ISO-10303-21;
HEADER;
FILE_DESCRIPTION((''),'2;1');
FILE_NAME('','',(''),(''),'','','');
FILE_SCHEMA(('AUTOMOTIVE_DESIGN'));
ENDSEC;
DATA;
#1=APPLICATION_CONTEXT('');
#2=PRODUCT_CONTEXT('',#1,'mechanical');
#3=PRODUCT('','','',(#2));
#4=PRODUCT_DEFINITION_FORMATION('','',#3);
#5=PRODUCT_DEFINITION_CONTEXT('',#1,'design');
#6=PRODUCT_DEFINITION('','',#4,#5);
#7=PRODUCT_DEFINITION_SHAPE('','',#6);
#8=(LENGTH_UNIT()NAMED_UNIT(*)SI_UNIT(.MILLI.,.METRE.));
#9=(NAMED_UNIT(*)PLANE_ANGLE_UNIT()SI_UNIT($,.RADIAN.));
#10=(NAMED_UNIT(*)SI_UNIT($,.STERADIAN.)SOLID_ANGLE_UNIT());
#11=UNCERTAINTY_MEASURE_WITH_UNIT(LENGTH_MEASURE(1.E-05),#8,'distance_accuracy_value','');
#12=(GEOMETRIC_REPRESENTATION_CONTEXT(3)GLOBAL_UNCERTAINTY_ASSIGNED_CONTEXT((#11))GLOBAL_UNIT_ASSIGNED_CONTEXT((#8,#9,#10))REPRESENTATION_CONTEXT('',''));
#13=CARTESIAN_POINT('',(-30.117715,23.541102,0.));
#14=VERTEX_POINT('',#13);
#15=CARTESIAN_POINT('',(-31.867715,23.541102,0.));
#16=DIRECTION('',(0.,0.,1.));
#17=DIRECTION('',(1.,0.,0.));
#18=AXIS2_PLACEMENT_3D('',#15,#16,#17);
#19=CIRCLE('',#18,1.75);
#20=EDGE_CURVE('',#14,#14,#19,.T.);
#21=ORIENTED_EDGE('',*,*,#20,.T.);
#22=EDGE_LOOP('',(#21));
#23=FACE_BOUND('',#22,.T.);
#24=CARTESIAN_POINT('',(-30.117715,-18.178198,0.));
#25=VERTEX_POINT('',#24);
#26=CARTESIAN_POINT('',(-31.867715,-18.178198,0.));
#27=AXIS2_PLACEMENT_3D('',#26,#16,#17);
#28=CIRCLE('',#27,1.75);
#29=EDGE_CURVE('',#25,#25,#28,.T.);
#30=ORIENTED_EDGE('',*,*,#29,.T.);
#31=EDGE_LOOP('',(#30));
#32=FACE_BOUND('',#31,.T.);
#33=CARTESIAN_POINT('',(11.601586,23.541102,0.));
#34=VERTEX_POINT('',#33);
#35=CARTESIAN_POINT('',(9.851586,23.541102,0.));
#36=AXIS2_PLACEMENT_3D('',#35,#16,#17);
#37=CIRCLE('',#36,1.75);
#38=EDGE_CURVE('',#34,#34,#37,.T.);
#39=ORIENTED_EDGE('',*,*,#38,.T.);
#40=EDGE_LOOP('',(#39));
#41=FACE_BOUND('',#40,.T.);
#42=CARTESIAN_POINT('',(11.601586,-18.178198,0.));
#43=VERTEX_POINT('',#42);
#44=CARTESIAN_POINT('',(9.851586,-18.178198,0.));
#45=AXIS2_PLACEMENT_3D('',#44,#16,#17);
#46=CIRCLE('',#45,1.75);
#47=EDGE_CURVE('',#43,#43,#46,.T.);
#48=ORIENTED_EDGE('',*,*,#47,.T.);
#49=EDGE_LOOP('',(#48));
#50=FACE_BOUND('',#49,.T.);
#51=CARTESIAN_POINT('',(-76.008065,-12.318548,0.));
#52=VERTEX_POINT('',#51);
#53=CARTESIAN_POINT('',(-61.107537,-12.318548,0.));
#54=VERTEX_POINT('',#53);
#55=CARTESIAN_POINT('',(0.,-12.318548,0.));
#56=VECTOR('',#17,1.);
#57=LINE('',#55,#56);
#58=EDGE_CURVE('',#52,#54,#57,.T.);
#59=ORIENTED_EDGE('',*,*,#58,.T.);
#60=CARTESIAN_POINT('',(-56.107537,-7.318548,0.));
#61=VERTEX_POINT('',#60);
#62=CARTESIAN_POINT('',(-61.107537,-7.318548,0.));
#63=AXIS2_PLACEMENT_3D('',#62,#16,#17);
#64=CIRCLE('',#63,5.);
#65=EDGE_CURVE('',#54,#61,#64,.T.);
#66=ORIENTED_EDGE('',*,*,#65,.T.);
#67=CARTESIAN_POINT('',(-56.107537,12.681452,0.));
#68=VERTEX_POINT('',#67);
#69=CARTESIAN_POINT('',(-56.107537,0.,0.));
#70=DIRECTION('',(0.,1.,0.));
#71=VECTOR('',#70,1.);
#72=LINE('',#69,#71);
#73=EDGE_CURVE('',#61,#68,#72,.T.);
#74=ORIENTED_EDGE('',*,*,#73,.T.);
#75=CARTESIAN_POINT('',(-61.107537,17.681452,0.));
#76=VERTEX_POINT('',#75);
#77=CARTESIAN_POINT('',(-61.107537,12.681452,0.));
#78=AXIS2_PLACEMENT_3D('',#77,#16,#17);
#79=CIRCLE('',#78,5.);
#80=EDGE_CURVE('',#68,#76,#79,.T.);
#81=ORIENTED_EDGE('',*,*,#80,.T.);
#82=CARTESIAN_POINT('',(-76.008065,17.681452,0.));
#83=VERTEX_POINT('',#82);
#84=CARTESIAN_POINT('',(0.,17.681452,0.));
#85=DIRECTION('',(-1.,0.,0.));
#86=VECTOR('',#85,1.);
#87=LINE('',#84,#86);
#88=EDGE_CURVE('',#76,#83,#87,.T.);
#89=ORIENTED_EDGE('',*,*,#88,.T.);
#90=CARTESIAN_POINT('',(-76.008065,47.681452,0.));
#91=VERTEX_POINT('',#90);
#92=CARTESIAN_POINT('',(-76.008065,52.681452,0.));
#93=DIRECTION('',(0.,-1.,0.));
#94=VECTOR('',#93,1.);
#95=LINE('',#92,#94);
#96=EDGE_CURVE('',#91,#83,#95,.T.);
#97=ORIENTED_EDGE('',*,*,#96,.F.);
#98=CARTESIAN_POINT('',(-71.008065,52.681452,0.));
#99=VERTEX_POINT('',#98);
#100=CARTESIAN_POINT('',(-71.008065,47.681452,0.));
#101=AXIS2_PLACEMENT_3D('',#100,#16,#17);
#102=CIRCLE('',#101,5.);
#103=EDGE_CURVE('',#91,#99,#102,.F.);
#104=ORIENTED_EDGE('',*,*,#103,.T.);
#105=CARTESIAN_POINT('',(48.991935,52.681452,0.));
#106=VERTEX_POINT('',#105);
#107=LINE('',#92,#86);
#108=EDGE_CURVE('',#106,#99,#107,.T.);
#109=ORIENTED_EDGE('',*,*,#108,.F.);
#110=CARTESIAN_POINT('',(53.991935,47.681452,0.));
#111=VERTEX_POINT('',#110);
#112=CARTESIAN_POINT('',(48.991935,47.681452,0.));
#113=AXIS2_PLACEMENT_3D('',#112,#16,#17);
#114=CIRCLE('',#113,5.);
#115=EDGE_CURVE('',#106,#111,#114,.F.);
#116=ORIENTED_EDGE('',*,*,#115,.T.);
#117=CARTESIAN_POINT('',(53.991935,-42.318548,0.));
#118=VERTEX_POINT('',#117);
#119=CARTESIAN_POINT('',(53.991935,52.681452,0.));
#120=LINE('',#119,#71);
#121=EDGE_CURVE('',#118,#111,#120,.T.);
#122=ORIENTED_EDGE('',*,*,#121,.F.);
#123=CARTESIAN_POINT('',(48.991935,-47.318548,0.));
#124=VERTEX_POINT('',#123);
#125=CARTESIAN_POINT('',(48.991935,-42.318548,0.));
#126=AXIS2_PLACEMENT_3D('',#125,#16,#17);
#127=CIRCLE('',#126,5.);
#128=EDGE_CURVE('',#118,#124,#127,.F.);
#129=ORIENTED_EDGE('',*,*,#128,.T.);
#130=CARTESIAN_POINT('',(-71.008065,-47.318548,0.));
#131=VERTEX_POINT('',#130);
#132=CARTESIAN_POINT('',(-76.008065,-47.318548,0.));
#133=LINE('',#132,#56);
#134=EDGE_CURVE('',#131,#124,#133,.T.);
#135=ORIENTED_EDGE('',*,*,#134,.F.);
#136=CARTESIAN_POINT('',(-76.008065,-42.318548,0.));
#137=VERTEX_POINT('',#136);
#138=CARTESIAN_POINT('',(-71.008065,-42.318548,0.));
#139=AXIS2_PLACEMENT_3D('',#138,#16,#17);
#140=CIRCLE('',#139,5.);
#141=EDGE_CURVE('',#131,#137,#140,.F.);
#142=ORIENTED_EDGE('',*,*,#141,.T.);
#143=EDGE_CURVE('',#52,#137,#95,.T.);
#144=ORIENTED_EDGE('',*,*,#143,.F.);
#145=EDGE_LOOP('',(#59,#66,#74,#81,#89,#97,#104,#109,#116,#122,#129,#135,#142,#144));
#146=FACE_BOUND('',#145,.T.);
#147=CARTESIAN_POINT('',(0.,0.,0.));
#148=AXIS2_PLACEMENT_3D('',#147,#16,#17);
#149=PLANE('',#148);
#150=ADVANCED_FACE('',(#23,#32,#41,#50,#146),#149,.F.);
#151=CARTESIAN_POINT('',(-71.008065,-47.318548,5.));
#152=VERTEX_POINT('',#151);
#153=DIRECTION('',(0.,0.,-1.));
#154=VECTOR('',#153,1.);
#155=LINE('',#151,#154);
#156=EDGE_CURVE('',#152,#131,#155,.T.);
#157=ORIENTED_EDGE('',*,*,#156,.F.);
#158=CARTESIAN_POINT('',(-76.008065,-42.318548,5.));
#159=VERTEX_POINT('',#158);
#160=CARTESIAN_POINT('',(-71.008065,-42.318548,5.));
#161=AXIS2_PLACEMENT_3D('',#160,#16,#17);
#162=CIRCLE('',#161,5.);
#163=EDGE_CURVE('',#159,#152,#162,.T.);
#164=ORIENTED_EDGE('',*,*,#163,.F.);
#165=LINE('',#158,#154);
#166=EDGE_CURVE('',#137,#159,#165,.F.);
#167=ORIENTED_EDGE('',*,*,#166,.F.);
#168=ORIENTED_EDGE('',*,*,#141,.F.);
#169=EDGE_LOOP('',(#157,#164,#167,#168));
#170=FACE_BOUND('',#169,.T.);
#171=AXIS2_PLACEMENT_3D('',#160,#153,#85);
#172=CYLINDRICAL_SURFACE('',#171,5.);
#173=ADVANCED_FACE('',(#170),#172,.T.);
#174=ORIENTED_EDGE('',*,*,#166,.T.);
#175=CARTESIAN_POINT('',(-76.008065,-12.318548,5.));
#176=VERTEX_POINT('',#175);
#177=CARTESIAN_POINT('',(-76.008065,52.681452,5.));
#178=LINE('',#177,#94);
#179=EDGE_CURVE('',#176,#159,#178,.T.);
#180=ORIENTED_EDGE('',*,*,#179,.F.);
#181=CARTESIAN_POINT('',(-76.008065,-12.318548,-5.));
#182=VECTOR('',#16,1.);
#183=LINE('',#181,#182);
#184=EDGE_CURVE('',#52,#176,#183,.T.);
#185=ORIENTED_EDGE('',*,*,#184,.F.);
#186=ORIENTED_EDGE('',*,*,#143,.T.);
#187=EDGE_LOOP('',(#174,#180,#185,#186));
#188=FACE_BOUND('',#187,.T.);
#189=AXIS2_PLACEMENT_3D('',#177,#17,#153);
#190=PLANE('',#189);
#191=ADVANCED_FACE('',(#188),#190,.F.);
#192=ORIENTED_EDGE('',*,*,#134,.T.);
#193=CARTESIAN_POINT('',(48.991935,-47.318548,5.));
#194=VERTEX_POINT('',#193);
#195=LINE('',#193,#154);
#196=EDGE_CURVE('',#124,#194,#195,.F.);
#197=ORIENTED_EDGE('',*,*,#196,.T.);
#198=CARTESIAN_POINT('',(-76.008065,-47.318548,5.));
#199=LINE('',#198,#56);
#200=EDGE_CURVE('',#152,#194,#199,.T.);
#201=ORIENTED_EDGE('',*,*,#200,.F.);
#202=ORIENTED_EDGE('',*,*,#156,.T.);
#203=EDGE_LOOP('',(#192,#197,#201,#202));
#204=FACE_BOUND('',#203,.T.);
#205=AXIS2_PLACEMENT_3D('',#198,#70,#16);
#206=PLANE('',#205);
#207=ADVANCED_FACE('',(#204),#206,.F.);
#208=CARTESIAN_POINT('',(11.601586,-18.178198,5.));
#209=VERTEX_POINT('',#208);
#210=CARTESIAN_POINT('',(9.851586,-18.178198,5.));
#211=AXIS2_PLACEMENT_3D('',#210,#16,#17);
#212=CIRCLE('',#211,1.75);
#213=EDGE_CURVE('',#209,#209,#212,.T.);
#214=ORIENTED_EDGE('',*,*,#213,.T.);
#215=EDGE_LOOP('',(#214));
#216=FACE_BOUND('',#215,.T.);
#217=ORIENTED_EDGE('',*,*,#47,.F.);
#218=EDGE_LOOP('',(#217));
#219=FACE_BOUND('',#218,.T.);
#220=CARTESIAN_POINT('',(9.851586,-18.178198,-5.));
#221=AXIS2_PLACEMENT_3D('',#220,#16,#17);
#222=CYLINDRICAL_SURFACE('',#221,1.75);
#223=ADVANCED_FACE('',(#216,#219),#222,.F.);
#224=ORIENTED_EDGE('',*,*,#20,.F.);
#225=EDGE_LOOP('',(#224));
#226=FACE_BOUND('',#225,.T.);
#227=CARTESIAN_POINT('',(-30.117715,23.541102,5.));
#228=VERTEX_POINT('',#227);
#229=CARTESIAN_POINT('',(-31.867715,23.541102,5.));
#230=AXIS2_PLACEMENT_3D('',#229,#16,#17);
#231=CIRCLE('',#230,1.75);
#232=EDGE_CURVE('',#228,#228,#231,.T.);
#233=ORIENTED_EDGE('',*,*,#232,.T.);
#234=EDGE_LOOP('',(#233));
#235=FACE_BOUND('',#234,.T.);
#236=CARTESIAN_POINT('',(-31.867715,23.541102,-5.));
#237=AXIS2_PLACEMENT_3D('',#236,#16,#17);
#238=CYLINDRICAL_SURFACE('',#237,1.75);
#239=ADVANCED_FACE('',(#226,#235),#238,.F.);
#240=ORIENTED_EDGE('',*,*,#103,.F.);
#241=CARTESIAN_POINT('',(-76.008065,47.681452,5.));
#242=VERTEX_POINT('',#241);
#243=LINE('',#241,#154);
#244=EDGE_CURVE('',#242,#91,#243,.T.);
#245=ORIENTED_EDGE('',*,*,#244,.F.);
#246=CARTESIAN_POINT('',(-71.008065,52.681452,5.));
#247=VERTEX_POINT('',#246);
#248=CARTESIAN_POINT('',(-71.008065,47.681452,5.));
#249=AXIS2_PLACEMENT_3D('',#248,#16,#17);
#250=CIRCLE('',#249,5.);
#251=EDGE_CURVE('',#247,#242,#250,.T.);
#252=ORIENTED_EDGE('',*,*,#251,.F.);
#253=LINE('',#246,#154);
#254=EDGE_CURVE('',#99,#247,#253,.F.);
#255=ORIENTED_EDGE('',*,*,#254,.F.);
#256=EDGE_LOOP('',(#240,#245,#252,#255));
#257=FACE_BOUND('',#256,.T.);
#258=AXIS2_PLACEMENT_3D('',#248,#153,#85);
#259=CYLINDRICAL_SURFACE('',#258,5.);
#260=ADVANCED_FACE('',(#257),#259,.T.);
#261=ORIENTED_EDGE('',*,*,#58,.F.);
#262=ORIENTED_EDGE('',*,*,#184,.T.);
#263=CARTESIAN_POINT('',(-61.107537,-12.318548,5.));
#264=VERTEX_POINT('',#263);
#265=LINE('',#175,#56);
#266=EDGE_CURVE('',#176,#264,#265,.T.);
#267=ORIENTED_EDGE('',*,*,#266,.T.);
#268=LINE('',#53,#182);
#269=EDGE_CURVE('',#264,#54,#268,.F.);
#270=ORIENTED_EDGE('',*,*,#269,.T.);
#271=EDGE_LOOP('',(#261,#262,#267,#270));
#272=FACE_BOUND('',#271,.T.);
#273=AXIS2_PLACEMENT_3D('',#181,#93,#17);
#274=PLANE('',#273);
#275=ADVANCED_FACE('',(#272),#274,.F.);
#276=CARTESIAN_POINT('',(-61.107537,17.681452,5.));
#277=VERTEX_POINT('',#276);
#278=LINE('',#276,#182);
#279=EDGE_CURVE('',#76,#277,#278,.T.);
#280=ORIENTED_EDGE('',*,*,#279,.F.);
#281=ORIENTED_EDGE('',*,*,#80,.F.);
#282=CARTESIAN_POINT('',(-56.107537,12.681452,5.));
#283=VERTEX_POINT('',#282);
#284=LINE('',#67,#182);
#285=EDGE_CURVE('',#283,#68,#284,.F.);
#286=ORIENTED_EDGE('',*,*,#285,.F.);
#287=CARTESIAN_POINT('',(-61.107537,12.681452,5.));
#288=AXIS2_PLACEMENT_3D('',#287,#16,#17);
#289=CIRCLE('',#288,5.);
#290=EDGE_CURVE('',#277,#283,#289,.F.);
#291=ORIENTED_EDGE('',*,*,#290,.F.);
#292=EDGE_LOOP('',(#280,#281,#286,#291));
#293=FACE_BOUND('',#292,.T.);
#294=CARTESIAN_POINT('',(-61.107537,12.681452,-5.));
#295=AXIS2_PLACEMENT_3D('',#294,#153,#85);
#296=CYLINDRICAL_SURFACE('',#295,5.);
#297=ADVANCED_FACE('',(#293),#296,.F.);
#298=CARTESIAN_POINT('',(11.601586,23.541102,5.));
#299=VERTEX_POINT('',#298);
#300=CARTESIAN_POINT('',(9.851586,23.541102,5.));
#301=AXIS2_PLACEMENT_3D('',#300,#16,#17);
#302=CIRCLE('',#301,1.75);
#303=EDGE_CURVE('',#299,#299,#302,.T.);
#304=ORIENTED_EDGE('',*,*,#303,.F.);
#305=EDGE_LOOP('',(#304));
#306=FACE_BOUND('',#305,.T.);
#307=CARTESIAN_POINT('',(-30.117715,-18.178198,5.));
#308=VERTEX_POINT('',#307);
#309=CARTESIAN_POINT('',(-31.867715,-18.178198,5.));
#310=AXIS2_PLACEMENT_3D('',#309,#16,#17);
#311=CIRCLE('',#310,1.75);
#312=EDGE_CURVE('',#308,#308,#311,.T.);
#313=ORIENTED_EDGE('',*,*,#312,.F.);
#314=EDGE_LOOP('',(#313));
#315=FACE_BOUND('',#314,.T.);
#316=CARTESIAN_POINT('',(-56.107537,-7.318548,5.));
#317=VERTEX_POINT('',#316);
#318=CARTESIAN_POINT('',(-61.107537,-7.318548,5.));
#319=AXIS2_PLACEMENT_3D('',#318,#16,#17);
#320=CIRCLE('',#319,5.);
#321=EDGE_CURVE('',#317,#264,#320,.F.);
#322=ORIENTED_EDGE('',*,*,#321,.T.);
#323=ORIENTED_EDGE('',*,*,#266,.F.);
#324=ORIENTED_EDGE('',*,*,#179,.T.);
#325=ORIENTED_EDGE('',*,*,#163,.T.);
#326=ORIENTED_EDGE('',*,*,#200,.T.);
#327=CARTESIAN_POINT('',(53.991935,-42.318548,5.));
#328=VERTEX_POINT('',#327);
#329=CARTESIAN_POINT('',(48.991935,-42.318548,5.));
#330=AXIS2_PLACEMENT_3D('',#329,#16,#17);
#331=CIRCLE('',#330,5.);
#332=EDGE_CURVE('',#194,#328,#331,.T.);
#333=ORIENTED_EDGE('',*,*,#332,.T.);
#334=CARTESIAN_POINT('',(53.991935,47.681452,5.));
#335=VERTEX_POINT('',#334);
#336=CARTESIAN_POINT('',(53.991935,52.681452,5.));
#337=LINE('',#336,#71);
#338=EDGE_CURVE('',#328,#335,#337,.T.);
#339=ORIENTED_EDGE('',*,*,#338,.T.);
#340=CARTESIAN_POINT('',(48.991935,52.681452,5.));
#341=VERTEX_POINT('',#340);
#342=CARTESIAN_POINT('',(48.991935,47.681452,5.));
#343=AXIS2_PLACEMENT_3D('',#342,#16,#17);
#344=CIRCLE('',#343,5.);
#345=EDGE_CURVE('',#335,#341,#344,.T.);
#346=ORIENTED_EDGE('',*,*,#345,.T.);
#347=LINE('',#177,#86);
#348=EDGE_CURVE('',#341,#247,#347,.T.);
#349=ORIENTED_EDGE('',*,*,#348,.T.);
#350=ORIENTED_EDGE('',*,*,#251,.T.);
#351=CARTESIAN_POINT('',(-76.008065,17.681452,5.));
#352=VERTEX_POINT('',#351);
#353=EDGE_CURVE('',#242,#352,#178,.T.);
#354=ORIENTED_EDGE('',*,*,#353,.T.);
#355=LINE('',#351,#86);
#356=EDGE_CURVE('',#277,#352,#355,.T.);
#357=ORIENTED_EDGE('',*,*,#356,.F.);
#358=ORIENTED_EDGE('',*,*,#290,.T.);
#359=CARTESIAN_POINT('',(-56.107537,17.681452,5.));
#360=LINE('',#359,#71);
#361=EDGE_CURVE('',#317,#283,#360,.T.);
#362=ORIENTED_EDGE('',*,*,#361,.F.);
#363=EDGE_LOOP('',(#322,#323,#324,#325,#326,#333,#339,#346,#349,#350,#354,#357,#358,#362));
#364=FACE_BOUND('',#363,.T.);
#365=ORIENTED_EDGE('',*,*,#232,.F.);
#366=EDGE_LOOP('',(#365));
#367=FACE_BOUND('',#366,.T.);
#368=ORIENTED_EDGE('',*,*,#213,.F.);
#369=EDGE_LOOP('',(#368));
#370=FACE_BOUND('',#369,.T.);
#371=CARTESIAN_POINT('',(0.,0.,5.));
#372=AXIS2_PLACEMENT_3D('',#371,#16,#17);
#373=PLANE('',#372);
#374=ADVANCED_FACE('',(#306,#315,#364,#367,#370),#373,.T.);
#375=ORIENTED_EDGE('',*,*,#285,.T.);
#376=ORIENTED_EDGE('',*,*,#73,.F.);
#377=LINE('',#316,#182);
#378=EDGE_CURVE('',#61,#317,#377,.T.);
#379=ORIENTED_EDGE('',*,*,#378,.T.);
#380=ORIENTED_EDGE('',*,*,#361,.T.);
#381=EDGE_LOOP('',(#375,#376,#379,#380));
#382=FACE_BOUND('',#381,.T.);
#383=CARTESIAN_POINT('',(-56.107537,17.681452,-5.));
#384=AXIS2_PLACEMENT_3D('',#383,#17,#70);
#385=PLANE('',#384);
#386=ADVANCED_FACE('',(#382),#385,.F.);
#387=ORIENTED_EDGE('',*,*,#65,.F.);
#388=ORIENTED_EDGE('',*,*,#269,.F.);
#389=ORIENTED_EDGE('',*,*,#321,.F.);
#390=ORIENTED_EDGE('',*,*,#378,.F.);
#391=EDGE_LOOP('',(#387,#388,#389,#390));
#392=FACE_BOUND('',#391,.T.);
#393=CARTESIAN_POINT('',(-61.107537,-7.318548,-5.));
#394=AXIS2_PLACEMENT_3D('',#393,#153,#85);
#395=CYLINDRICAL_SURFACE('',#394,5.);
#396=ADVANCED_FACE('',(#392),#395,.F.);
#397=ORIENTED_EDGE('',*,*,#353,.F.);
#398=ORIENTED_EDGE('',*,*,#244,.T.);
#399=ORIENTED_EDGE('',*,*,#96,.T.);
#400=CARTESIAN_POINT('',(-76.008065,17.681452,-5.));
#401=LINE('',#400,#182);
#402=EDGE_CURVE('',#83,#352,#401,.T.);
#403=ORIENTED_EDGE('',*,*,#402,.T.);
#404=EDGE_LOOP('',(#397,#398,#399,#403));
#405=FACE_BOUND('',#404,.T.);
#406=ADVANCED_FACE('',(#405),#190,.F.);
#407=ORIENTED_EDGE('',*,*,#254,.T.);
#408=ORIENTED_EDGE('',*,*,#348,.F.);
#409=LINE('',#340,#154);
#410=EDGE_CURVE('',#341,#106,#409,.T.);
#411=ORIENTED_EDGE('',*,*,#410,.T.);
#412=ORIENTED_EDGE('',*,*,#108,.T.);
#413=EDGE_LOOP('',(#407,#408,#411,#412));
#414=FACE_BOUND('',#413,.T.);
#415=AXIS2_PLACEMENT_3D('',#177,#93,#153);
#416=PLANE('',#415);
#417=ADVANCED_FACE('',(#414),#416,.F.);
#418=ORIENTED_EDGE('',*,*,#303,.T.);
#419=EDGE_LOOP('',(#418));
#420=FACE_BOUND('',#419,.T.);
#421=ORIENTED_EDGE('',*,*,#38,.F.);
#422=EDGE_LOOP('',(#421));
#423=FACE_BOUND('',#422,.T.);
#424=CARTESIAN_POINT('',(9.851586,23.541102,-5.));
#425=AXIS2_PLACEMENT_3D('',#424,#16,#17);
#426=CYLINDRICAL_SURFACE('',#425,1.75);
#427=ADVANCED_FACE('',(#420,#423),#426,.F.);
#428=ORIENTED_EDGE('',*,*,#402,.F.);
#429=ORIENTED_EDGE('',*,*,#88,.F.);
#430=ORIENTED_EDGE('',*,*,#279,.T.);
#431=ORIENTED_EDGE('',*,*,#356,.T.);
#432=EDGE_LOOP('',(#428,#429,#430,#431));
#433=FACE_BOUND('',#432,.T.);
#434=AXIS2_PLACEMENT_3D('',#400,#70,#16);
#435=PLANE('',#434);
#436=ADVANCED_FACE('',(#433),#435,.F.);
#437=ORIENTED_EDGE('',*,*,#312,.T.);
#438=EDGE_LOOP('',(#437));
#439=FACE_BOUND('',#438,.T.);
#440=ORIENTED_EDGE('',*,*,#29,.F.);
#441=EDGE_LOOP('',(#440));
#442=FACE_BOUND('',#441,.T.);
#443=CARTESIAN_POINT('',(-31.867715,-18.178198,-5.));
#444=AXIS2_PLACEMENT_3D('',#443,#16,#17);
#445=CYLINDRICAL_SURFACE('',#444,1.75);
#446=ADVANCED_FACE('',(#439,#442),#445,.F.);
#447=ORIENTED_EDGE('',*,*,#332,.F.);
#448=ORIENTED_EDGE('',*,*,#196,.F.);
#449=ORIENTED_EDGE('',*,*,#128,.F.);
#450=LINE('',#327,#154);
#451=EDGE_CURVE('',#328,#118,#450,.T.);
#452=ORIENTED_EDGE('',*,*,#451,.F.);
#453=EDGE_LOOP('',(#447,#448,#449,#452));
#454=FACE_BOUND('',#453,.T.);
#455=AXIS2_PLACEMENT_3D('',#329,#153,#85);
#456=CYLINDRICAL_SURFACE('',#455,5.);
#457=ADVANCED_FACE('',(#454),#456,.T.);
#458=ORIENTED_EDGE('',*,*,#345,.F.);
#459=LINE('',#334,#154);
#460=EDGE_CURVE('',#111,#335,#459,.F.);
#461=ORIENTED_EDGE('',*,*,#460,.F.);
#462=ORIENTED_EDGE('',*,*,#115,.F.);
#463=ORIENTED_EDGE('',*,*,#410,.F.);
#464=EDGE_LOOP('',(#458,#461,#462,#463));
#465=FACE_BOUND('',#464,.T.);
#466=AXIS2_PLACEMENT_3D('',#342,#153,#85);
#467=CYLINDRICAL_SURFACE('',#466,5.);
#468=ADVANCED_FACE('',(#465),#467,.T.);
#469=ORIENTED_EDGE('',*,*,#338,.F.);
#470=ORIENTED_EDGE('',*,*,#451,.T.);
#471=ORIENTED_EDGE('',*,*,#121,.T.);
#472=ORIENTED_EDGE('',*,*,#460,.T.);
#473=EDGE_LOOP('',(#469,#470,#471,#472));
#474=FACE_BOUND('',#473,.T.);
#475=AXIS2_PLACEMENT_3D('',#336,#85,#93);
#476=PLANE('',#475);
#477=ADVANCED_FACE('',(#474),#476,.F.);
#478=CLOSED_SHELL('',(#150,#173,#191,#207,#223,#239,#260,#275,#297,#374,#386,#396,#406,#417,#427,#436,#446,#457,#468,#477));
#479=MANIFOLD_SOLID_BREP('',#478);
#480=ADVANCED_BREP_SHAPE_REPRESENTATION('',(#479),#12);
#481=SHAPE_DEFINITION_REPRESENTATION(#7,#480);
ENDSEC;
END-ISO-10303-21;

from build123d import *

# Parameters (mm, degrees)
ESQUISSE1_W             = 130
ESQUISSE1_H             = 100
BOSS_EXTRU_1_DEPTH      = 5
ESQUISSE2_R             = 1.75
ENL_V_MAT_EXTRU_1_DEPTH = 10
ESQUISSE4_W             = 19.900527691
ESQUISSE4_H             = 30
ENL_V_MAT_EXTRU_2_DEPTH = 10
CONG_1_R                = 5


with BuildPart() as part:
    # Esquisse1 → Boss.-Extru.1 (new body)
    with BuildSketch(Plane.XY):
        with Locations((-11.008064516, 2.681451613)):
            Rectangle(ESQUISSE1_W, ESQUISSE1_H)
    extrude(amount=BOSS_EXTRU_1_DEPTH)

    # Esquisse2 → Enlèv. mat.-Extru.1 (cut)
    with BuildSketch(Plane.XY.offset(5)):
        with Locations((9.851585529, -18.178198432)):
            Circle(ESQUISSE2_R)
        with Locations((-31.867714561, -18.178198432)):
            Circle(ESQUISSE2_R)
        with Locations((-31.867714561, 23.541101658)):
            Circle(ESQUISSE2_R)
        with Locations((9.851585529, 23.541101658)):
            Circle(ESQUISSE2_R)
    extrude(amount=-ENL_V_MAT_EXTRU_1_DEPTH, mode=Mode.SUBTRACT)

    # Esquisse4 → Enlèv. mat.-Extru.2 (cut)
    with BuildSketch(Plane.XY.offset(5)):
        with Locations((-66.057800671, 2.681451613)):
            Rectangle(ESQUISSE4_W, ESQUISSE4_H)
    extrude(amount=-ENL_V_MAT_EXTRU_2_DEPTH, mode=Mode.SUBTRACT)

    # Congé1
    cong_1_edges = [part.edges().sort_by_distance(p)[0] for p in [
        (-56.107536825, 17.681451613, 2.5),
        (-56.107536825, -12.318548387, 2.5),
        (-76.008064516, 52.681451613, 2.5),
        (53.991935484, 52.681451613, 2.5),
        (53.991935484, -47.318548387, 2.5),
        (-76.008064516, -47.318548387, 2.5),
    ]]
    fillet(cong_1_edges, radius=CONG_1_R)


solid = part.part
